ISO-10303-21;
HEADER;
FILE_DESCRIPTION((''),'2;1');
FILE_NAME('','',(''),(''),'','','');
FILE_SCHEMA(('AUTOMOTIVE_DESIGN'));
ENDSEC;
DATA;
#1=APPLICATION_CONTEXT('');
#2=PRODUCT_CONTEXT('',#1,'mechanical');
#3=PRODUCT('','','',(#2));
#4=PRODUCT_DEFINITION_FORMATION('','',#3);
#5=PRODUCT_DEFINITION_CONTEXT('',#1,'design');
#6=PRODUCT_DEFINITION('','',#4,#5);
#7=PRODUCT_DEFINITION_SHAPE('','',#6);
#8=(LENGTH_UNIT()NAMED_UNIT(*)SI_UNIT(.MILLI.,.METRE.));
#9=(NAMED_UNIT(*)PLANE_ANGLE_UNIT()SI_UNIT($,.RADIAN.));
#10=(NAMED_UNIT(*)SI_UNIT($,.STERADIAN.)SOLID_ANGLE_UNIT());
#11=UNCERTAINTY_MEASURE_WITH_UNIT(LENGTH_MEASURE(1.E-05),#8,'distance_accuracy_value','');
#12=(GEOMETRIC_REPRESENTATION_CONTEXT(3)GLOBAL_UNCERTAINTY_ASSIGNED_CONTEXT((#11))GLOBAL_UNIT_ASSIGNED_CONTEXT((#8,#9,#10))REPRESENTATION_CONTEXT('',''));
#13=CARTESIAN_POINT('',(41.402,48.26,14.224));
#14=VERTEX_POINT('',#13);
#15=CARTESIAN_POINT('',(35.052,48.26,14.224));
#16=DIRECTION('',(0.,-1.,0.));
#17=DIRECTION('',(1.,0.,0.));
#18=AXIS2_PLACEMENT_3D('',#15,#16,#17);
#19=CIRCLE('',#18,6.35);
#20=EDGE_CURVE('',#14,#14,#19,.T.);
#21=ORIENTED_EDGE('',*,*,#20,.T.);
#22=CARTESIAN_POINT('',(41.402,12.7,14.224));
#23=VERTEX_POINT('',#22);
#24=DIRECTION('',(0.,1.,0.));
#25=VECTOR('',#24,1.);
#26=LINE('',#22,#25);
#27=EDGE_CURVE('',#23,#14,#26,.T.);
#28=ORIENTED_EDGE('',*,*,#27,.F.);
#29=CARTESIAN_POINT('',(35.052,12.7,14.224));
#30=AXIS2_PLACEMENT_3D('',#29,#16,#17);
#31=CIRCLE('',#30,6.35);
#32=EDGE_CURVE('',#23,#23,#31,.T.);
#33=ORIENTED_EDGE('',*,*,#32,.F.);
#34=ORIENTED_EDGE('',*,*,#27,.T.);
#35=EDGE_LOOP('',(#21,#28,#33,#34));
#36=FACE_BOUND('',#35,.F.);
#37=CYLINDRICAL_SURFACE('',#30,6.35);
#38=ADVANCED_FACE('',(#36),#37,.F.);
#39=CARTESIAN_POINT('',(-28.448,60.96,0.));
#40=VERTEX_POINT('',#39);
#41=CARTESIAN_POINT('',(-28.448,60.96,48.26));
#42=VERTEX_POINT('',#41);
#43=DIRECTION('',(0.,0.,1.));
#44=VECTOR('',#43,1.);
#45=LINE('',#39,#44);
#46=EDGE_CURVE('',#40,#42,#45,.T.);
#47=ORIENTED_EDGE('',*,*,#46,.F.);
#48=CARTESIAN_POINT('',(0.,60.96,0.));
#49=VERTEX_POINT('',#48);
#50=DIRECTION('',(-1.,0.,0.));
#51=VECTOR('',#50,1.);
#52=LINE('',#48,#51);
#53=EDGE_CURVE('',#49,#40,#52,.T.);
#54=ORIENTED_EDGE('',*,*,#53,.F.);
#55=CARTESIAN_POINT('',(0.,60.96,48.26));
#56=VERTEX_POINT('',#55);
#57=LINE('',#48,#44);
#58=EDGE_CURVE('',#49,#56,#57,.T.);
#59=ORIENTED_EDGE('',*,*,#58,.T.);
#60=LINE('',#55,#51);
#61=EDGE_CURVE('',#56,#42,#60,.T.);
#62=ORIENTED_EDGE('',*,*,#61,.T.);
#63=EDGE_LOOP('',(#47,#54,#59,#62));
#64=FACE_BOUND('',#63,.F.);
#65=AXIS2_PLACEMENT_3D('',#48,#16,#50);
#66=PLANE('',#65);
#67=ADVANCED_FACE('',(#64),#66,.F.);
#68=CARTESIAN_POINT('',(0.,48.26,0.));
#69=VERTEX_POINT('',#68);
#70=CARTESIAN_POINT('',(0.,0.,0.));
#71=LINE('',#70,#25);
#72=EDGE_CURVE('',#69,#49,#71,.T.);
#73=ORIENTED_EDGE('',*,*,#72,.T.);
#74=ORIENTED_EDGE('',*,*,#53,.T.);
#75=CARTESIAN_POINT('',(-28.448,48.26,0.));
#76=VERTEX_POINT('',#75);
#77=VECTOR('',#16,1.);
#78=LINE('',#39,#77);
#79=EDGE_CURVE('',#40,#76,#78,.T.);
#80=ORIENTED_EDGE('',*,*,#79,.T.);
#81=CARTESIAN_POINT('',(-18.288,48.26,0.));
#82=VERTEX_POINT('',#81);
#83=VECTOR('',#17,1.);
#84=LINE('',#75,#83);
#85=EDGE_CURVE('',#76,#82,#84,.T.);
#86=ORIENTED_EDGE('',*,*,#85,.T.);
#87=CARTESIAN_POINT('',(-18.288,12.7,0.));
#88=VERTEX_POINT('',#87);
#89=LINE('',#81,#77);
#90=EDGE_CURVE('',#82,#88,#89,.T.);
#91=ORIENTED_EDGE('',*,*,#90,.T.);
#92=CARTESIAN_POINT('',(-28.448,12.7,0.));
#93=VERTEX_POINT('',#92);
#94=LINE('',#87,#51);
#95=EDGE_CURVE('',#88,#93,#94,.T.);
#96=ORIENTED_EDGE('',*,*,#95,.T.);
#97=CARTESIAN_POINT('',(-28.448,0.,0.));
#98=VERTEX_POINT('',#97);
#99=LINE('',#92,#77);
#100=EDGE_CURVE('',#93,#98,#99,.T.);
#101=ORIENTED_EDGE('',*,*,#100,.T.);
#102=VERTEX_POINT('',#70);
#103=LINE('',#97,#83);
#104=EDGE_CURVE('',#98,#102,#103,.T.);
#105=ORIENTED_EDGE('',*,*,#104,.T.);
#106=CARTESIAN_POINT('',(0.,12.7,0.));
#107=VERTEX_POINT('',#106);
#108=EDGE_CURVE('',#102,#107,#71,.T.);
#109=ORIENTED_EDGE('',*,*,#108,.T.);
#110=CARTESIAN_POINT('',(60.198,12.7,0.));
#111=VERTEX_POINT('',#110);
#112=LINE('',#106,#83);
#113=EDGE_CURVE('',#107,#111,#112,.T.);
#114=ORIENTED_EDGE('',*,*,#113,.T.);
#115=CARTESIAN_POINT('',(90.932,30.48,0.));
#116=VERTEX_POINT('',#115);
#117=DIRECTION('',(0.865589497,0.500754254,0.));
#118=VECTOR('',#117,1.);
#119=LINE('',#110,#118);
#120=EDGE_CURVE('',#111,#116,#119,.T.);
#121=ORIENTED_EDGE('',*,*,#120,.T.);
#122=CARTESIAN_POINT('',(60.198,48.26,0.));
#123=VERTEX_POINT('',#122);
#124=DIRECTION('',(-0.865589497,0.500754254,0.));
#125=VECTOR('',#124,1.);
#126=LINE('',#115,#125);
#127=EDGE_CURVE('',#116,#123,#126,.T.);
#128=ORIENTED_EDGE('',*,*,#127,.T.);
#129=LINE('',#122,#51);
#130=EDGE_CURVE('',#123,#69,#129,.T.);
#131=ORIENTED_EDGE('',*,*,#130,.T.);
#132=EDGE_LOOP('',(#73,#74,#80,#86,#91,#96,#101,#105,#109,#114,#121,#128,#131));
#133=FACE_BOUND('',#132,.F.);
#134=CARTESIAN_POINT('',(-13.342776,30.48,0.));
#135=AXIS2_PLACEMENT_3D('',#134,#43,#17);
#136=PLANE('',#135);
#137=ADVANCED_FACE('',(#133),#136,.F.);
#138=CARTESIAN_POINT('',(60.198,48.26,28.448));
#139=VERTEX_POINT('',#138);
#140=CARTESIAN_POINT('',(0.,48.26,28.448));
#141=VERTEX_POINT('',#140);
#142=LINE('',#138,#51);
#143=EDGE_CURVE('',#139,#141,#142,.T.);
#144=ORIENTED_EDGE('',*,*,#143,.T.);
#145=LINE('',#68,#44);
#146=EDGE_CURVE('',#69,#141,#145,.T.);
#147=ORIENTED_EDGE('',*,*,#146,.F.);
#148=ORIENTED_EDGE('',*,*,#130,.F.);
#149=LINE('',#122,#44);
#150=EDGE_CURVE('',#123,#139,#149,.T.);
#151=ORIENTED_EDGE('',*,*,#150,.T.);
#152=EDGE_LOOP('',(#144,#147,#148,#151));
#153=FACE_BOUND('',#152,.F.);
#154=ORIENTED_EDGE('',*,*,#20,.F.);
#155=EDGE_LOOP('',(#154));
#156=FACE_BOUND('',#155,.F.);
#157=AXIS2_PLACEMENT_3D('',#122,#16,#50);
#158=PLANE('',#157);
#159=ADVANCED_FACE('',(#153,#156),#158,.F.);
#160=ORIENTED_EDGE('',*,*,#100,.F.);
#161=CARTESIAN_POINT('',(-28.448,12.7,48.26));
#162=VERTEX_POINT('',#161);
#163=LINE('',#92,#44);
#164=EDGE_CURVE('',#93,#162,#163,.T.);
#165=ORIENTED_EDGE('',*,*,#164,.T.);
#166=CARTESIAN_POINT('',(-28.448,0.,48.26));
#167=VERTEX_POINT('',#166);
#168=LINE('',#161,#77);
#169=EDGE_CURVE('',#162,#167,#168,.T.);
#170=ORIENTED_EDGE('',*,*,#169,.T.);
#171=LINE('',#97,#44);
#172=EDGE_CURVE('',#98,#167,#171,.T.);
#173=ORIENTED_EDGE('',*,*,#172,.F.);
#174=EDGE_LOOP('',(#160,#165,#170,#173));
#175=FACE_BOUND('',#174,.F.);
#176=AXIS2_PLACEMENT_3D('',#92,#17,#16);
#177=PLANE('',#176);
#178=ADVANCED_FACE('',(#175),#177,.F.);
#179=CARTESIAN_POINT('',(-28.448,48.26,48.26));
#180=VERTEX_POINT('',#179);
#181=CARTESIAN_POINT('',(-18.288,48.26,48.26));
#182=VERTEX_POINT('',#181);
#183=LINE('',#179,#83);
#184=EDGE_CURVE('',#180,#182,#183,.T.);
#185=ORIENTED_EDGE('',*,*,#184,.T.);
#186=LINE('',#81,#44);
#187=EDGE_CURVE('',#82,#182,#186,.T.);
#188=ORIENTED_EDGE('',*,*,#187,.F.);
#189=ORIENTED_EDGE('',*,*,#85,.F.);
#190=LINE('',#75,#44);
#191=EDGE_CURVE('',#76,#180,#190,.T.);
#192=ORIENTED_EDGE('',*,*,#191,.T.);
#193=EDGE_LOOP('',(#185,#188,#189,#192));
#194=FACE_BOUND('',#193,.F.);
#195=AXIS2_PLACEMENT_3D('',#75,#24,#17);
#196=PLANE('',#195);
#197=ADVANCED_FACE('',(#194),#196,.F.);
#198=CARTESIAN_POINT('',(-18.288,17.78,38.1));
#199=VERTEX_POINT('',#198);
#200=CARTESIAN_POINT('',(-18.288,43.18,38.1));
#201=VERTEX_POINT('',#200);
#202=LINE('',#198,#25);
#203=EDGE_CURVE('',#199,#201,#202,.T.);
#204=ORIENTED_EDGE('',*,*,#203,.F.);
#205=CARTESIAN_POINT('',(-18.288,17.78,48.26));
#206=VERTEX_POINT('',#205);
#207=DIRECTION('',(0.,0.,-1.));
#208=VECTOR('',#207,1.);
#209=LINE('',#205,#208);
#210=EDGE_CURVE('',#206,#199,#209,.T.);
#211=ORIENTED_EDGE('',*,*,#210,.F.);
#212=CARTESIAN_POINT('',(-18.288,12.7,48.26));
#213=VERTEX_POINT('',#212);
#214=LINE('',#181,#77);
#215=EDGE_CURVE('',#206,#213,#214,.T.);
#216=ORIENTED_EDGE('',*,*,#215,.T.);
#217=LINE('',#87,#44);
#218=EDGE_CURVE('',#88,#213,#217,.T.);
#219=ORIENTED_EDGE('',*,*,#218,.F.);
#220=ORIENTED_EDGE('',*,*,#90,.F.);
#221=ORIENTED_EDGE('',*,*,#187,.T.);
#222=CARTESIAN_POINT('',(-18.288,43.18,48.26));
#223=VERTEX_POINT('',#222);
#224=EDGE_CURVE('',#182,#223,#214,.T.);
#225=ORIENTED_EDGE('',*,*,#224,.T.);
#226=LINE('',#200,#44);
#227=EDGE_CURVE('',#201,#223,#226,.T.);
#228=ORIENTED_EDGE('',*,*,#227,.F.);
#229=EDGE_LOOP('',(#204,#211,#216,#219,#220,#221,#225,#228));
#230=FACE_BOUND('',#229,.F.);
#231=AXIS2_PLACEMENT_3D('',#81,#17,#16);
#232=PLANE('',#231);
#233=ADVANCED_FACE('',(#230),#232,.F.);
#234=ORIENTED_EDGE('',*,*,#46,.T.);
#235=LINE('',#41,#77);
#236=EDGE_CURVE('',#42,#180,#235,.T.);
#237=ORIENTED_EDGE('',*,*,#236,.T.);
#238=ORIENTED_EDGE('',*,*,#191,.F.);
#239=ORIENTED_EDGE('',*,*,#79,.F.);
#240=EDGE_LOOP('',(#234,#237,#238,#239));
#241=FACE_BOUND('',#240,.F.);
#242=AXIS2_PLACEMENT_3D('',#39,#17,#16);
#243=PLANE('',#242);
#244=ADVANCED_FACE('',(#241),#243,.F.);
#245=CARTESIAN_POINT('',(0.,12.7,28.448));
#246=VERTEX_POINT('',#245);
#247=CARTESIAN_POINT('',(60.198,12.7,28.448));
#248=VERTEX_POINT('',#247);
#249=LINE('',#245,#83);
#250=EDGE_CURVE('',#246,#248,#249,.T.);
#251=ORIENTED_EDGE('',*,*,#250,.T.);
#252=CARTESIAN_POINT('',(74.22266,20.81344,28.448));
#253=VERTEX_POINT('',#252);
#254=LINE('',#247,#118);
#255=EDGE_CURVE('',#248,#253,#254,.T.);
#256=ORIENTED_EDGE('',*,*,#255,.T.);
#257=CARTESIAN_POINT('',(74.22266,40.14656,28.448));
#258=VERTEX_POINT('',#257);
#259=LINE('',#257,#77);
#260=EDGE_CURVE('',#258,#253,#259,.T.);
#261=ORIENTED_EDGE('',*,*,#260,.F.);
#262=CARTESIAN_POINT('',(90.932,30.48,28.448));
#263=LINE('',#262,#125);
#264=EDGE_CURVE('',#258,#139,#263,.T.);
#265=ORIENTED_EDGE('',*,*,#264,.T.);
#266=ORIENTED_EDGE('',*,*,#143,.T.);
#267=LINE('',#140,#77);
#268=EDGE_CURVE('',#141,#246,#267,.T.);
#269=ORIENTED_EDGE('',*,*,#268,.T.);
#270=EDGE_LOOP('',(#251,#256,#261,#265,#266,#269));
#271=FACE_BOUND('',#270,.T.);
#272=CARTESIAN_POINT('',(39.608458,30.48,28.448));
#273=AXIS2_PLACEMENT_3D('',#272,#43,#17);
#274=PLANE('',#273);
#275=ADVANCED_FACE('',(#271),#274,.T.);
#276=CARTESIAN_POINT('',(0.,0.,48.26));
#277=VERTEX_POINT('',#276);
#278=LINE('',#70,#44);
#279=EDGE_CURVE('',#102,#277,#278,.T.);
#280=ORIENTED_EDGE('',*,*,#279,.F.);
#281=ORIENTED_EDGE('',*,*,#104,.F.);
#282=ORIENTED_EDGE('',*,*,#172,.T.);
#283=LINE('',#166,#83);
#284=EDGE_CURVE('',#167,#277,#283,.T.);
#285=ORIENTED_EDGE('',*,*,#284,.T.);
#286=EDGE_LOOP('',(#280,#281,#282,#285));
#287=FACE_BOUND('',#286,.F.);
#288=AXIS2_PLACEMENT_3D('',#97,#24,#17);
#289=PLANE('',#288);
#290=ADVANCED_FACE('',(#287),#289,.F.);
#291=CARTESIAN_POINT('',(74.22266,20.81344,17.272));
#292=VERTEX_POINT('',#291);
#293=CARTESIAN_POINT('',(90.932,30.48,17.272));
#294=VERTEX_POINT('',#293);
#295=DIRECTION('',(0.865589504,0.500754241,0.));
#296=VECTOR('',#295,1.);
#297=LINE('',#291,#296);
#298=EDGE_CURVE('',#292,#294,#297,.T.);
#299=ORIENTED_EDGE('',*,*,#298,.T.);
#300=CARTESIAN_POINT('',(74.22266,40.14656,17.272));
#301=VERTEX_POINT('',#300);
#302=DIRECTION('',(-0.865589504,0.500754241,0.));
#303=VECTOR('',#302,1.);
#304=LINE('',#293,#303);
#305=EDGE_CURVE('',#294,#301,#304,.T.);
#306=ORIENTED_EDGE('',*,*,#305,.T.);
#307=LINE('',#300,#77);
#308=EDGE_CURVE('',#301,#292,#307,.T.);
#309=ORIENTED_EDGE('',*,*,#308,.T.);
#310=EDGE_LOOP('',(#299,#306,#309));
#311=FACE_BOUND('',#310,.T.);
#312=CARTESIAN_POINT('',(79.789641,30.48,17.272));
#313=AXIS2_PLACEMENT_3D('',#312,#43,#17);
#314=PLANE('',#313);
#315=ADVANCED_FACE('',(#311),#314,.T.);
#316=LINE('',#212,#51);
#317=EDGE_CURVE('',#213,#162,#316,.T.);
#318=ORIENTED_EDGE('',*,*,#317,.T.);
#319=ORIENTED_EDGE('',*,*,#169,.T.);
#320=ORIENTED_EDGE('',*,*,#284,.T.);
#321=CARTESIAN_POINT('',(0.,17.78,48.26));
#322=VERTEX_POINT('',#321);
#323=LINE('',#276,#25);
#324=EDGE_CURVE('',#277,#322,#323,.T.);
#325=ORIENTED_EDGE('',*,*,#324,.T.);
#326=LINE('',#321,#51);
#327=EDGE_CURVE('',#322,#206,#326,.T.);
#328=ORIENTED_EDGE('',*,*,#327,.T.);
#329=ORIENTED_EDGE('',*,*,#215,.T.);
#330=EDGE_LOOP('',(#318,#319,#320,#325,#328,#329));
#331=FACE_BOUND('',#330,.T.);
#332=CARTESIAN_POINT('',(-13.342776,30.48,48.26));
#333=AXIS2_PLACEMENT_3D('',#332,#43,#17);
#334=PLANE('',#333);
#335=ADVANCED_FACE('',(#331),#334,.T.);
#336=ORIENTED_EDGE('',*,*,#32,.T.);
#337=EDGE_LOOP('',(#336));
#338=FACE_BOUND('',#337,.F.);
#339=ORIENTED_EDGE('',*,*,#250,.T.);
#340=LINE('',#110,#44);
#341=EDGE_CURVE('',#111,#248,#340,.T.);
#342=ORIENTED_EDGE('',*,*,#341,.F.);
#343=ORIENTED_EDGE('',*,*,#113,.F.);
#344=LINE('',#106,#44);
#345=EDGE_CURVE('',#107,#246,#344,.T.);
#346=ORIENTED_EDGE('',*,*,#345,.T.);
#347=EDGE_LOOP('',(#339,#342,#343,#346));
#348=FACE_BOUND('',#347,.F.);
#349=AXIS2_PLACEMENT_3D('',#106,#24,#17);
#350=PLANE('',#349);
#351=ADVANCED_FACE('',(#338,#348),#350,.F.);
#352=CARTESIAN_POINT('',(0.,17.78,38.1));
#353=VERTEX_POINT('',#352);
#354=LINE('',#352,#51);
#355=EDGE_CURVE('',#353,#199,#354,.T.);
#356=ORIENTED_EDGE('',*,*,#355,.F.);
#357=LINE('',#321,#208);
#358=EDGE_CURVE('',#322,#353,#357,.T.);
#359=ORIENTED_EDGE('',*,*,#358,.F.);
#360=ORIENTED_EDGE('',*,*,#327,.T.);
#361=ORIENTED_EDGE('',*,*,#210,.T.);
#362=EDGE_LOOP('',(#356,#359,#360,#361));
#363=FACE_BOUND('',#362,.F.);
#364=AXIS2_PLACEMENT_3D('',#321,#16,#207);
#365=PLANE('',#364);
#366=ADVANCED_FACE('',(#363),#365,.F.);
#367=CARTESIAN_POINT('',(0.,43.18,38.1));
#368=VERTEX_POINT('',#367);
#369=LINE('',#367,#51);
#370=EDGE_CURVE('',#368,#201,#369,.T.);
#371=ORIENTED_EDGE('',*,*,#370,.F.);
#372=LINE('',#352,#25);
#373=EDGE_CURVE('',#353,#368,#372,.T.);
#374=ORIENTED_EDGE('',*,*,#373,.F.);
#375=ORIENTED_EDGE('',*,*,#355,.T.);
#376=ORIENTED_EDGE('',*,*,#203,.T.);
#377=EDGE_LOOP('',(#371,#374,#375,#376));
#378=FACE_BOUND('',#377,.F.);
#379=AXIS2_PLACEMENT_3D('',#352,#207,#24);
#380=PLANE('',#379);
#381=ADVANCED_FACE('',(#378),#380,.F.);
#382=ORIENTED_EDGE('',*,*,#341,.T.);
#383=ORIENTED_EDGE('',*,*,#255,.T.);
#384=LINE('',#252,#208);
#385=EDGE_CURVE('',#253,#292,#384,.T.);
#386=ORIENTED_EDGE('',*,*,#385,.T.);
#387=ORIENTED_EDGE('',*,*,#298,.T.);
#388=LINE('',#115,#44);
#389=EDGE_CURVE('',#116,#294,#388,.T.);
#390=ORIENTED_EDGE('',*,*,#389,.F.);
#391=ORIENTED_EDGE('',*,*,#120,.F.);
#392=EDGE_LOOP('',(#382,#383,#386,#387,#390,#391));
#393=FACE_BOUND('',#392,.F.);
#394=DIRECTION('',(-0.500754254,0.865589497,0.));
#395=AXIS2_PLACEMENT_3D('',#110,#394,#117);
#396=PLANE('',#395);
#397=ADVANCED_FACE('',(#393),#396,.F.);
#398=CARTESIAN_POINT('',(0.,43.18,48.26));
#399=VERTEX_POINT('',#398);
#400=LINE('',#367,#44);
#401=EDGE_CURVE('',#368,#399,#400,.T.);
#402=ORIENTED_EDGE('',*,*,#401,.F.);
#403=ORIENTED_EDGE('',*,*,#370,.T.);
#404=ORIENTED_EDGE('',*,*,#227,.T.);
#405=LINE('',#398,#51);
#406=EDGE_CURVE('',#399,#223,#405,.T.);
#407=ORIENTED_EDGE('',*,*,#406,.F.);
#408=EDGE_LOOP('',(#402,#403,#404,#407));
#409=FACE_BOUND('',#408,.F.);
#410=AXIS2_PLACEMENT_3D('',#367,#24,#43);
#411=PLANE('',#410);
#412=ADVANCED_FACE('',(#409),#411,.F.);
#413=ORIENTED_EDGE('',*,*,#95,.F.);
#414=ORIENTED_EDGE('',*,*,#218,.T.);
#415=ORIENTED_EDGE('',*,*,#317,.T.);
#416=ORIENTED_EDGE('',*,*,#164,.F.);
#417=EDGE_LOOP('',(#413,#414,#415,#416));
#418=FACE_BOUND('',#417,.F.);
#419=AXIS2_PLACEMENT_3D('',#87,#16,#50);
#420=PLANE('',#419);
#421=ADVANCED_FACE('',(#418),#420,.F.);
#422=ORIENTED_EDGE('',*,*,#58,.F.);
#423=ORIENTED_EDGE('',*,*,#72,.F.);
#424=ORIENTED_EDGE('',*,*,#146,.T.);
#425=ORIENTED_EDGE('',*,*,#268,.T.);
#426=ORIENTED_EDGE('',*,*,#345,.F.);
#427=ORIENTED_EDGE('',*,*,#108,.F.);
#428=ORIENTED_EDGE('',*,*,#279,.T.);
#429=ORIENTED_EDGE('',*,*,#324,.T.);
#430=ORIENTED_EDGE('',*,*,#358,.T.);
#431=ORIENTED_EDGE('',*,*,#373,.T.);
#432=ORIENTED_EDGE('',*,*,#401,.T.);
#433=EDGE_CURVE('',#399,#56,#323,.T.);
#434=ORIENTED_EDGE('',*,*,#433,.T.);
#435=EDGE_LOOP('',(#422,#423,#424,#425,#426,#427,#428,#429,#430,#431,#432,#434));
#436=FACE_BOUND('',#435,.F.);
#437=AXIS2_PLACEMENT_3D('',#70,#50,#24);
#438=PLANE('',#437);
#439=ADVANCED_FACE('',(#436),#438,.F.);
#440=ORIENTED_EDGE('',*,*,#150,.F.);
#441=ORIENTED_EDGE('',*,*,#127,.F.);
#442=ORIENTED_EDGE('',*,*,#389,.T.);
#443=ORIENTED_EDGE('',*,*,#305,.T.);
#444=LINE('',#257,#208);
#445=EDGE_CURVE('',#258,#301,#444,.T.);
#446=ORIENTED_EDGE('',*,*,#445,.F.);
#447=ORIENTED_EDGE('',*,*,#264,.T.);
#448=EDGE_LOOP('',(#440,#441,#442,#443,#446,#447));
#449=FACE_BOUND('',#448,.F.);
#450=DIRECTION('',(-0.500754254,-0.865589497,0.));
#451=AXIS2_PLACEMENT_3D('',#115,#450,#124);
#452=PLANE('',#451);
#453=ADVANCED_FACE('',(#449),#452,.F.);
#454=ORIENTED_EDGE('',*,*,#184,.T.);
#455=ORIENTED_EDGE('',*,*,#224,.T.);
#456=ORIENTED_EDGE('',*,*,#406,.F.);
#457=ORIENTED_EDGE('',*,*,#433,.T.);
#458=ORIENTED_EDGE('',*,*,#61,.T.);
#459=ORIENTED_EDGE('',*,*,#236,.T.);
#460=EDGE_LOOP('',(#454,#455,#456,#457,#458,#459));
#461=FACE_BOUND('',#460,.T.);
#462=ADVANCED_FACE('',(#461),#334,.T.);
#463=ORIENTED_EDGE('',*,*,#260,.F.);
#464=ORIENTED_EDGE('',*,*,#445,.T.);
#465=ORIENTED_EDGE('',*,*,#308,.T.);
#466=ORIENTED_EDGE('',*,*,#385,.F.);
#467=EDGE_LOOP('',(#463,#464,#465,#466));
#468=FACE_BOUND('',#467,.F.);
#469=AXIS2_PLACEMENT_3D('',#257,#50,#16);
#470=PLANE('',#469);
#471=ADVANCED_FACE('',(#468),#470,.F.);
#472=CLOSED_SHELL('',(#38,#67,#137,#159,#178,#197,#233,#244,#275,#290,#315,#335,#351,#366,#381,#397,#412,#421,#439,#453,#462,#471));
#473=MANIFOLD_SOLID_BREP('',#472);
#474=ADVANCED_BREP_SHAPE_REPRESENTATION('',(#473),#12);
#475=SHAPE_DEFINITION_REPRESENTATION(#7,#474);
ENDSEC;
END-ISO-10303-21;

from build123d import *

# Parameters (mm, degrees)
F1_DEPTH = 48.26
F3_DEPTH = 18.288
F5_DEPTH = 28.448
F7_DEPTH = 11.176
F8_R     = 6.35
F9_DEPTH = 35.56


with BuildPart() as f1:
    # F0 (on Top) → F1 (new body)
    with BuildSketch(Plane.XY):
        Polygon((-28.448, 0), (0, 0), (0, 30.48), (0, 60.96), (-28.448, 60.96), (-28.448, 48.26), (-18.288, 48.26), (-18.288, 43.18), (-18.288, 30.48), (-18.288, 17.78), (-18.288, 12.7), (-28.448, 12.7), align=None)
    extrude(amount=F1_DEPTH)

    # F2 (on face) → F3 (cut, through all)
    with BuildSketch(Plane.YZ):
        Polygon((17.78, 38.1), (30.48, 38.1), (43.18, 38.1), (43.18, 48.26), (30.48, 48.26), (17.78, 48.26), align=None)
    extrude(amount=-F3_DEPTH, mode=Mode.SUBTRACT)

    # F4 (on Top) → F5 (join)
    with BuildSketch(Plane.XY):
        Polygon((0, 30.48), (0, 12.7), (60.198, 12.7), (90.932, 30.48), (60.198, 48.26), (0, 48.26), align=None)
    extrude(amount=F5_DEPTH)

    # F6 (on face) → F7 (cut)
    with BuildSketch(Plane.XY.offset(28.448)):
        Polygon((74.22266, 20.81344), (90.932, 30.48), (74.22266, 40.14656), align=None)
    extrude(amount=-F7_DEPTH, mode=Mode.SUBTRACT)

    # F8 (on face) → F9 (cut, through all)
    with BuildSketch(Plane.XZ.offset(-12.7)):
        with Locations((35.052, 14.224)):
            Circle(F8_R)
    extrude(amount=-F9_DEPTH, mode=Mode.SUBTRACT)


solid = f1.part
